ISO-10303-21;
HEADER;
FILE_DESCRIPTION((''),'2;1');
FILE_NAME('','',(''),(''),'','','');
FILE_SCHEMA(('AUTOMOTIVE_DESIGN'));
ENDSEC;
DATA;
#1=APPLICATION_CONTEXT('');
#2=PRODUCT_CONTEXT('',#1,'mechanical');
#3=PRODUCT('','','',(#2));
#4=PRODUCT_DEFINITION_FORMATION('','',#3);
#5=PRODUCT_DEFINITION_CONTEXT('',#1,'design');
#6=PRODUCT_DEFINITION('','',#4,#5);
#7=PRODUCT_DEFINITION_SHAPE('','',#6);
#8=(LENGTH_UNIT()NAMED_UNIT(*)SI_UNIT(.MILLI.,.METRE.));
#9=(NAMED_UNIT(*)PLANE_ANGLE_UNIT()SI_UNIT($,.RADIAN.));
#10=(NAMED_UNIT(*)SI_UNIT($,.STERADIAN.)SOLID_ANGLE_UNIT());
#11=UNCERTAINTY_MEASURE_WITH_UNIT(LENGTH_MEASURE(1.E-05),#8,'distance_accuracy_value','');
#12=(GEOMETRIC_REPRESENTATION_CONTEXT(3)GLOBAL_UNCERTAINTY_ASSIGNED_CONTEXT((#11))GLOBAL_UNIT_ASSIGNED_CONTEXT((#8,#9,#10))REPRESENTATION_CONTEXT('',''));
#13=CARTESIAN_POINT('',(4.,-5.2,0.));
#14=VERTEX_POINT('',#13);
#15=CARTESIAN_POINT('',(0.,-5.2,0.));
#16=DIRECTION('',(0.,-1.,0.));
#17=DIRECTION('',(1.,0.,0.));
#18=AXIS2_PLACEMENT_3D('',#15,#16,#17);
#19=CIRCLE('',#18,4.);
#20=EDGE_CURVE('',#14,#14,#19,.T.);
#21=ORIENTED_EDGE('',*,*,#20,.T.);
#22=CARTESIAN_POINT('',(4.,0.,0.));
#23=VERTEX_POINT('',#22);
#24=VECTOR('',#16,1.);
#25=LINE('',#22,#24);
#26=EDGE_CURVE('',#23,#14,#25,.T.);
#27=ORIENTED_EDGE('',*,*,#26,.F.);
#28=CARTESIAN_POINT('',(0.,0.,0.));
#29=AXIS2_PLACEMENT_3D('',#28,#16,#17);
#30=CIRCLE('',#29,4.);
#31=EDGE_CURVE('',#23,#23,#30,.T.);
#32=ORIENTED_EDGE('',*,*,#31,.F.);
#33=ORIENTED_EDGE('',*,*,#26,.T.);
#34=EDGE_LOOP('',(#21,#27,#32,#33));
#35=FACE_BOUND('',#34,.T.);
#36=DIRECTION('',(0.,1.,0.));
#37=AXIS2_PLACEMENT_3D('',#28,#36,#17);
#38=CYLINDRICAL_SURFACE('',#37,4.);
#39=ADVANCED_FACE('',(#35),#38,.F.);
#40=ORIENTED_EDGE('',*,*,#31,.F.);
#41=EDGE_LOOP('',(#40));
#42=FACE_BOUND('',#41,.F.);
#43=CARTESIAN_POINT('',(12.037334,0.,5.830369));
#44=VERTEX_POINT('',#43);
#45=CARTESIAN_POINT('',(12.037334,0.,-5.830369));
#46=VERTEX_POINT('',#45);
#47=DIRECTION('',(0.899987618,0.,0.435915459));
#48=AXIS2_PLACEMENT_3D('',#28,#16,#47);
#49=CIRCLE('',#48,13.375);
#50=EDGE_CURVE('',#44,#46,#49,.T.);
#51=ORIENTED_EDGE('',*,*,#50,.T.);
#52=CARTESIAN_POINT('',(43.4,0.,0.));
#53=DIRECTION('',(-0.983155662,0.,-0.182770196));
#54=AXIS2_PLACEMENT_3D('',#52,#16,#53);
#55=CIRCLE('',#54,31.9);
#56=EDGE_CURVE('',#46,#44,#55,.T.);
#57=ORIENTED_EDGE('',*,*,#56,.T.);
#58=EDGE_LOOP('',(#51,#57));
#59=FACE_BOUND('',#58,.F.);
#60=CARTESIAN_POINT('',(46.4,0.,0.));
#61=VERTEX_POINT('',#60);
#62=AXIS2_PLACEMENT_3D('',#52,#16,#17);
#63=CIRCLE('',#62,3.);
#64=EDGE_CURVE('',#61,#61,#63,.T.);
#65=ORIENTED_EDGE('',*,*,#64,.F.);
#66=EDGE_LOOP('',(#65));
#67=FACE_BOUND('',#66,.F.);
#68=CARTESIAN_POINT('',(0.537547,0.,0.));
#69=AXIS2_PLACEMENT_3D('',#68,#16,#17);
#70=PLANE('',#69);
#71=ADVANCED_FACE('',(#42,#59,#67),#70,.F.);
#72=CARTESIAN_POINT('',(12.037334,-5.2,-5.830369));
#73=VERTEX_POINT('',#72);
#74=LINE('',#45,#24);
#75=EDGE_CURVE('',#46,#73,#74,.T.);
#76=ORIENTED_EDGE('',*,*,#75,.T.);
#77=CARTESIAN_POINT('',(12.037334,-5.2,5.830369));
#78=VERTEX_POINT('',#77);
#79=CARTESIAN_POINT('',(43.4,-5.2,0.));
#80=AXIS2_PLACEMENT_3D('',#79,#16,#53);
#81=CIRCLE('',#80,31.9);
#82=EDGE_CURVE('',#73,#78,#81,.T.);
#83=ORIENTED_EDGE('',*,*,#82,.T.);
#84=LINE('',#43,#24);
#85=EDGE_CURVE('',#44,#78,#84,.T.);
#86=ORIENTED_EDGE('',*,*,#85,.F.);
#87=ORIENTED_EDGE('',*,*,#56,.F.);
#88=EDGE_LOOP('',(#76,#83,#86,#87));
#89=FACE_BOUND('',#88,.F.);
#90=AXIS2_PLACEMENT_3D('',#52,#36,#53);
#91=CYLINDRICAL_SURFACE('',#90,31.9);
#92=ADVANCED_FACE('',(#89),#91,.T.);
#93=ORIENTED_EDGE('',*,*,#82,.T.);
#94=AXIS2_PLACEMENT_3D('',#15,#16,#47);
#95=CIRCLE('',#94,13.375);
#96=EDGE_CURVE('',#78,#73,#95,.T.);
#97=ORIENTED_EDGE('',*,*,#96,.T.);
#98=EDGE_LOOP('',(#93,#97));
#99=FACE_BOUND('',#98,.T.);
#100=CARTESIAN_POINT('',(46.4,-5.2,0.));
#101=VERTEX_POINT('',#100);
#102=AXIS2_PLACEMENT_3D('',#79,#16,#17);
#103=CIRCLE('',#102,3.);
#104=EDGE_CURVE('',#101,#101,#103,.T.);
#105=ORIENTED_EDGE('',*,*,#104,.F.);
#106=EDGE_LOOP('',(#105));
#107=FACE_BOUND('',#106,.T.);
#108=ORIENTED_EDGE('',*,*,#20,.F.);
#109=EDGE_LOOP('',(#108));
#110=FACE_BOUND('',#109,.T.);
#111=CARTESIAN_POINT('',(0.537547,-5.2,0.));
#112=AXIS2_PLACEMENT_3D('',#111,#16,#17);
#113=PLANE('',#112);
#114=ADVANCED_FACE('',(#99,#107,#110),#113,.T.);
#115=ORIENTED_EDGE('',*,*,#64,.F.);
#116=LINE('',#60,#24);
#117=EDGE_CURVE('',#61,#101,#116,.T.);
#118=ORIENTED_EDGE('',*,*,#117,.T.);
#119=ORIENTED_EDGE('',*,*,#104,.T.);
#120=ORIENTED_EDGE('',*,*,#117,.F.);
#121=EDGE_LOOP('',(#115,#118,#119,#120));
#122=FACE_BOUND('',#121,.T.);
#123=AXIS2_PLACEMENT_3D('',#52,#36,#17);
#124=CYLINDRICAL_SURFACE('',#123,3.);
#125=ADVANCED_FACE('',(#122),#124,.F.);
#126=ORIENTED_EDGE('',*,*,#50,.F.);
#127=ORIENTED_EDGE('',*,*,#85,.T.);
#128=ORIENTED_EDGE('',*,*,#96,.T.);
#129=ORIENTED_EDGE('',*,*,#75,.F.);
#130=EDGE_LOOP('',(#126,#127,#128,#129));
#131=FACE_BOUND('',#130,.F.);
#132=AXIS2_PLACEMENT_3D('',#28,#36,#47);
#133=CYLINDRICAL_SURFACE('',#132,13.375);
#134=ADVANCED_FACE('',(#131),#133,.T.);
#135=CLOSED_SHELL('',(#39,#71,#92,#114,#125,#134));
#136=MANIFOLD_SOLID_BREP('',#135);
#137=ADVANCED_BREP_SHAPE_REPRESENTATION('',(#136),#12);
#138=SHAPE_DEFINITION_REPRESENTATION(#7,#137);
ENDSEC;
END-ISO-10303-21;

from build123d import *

# Parameters (mm, degrees)
F0_R     = 4
F0_R_2   = 3
F1_DEPTH = 5.2


with BuildPart() as f1:
    # F0 (on Front) → F1 (new body)
    with BuildSketch(Plane.XZ):
        with BuildLine():
            ThreePointArc((12.0373343894, -5.8303692677), (11.5, 0), (12.0373343894, 5.8303692677))
            ThreePointArc((12.0373343894, 5.8303692677), (-13.375, 0), (12.0373343894, -5.8303692677))
        make_face()
        Circle(F0_R, mode=Mode.SUBTRACT)
        with BuildLine():
            ThreePointArc((12.0373343894, -5.8303692677), (13.0362949579, -2.9909260725), (13.375, 0))
            ThreePointArc((13.375, 0), (13.0362949579, 2.9909260725), (12.0373343894, 5.8303692677))
            ThreePointArc((12.0373343894, 5.8303692677), (11.5, 0), (12.0373343894, -5.8303692677))
        make_face()
        with BuildLine():
            ThreePointArc((12.0373343894, 5.8303692677), (13.0362949579, 2.9909260725), (13.375, 0))
            ThreePointArc((13.375, 0), (13.0362949579, -2.9909260725), (12.0373343894, -5.8303692677))
            ThreePointArc((12.0373343894, -5.8303692677), (46.3275388146, -31.7653823602), (75.3, 0))
            ThreePointArc((75.3, 0), (46.3275388146, 31.7653823602), (12.0373343894, 5.8303692677))
        make_face()
        with Locations((43.4, 0)):
            Circle(F0_R_2, mode=Mode.SUBTRACT)
    extrude(amount=F1_DEPTH)


solid = f1.part
